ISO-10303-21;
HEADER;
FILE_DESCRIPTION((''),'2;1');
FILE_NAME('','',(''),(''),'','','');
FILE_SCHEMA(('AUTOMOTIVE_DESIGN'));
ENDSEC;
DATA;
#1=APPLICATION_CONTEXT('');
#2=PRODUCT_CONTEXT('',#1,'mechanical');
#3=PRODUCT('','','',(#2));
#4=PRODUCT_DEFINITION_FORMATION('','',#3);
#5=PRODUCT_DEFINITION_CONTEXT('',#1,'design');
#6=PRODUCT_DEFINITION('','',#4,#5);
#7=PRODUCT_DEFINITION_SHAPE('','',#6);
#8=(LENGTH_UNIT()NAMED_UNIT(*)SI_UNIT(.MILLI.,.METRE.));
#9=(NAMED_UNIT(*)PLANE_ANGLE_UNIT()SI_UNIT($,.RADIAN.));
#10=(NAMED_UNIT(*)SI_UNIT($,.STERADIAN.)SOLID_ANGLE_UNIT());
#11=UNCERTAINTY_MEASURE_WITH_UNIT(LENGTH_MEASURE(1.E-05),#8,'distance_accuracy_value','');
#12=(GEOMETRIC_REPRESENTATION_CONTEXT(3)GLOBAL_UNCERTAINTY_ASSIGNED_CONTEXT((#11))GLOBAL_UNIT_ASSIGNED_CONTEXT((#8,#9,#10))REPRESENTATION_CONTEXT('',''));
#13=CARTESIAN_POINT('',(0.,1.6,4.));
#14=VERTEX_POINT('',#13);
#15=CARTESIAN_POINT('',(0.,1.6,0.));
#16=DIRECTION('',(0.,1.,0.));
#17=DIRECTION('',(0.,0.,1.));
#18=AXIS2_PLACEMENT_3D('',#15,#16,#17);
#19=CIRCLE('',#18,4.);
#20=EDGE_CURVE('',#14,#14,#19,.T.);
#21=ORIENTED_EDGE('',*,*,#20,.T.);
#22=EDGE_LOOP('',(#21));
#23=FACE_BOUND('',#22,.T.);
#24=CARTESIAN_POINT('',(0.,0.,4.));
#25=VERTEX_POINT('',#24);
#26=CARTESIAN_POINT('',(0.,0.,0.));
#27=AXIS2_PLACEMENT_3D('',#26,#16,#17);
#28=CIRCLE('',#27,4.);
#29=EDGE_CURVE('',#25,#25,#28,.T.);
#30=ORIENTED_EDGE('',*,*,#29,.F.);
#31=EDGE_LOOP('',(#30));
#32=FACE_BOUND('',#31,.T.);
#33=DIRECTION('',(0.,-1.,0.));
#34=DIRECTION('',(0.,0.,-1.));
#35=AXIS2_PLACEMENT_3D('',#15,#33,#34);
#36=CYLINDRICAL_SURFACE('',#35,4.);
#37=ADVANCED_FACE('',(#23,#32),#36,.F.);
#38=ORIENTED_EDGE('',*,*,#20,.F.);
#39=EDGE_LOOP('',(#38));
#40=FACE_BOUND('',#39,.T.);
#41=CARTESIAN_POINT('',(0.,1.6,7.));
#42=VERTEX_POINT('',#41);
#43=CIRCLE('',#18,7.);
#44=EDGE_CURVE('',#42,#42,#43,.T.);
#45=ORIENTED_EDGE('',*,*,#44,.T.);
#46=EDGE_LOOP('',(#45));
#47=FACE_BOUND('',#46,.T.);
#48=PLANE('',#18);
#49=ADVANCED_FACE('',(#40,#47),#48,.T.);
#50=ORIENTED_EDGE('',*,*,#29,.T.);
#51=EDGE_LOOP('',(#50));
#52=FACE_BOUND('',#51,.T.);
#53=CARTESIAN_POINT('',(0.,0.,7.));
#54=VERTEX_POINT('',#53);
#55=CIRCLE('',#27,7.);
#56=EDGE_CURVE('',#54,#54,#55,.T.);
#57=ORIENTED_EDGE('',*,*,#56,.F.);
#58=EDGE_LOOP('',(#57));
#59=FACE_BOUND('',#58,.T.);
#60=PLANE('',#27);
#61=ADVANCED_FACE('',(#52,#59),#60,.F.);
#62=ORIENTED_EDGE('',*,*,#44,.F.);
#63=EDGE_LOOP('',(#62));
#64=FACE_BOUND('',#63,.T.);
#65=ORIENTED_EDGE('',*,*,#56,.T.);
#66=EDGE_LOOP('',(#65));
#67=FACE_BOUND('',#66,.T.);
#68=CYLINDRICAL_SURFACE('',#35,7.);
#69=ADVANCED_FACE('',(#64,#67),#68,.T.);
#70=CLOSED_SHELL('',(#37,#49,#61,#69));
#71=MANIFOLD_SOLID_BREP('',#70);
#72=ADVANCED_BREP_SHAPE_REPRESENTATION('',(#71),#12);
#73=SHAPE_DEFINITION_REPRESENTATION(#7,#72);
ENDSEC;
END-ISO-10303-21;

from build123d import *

# Parameters (mm, degrees)
SKETCH1_R           = 7
SKETCH1_R_2         = 4
BOSS_EXTRUDE1_DEPTH = 1.6


with BuildPart() as part:
    # Sketch1 → Boss-Extrude1 (new body)
    with BuildSketch(Plane(origin=(0, 0, 0), x_dir=(1, 0, 0), z_dir=(0, 1, 0))):
        Circle(SKETCH1_R)
        Circle(SKETCH1_R_2, mode=Mode.SUBTRACT)
    extrude(amount=BOSS_EXTRUDE1_DEPTH)


solid = part.part
